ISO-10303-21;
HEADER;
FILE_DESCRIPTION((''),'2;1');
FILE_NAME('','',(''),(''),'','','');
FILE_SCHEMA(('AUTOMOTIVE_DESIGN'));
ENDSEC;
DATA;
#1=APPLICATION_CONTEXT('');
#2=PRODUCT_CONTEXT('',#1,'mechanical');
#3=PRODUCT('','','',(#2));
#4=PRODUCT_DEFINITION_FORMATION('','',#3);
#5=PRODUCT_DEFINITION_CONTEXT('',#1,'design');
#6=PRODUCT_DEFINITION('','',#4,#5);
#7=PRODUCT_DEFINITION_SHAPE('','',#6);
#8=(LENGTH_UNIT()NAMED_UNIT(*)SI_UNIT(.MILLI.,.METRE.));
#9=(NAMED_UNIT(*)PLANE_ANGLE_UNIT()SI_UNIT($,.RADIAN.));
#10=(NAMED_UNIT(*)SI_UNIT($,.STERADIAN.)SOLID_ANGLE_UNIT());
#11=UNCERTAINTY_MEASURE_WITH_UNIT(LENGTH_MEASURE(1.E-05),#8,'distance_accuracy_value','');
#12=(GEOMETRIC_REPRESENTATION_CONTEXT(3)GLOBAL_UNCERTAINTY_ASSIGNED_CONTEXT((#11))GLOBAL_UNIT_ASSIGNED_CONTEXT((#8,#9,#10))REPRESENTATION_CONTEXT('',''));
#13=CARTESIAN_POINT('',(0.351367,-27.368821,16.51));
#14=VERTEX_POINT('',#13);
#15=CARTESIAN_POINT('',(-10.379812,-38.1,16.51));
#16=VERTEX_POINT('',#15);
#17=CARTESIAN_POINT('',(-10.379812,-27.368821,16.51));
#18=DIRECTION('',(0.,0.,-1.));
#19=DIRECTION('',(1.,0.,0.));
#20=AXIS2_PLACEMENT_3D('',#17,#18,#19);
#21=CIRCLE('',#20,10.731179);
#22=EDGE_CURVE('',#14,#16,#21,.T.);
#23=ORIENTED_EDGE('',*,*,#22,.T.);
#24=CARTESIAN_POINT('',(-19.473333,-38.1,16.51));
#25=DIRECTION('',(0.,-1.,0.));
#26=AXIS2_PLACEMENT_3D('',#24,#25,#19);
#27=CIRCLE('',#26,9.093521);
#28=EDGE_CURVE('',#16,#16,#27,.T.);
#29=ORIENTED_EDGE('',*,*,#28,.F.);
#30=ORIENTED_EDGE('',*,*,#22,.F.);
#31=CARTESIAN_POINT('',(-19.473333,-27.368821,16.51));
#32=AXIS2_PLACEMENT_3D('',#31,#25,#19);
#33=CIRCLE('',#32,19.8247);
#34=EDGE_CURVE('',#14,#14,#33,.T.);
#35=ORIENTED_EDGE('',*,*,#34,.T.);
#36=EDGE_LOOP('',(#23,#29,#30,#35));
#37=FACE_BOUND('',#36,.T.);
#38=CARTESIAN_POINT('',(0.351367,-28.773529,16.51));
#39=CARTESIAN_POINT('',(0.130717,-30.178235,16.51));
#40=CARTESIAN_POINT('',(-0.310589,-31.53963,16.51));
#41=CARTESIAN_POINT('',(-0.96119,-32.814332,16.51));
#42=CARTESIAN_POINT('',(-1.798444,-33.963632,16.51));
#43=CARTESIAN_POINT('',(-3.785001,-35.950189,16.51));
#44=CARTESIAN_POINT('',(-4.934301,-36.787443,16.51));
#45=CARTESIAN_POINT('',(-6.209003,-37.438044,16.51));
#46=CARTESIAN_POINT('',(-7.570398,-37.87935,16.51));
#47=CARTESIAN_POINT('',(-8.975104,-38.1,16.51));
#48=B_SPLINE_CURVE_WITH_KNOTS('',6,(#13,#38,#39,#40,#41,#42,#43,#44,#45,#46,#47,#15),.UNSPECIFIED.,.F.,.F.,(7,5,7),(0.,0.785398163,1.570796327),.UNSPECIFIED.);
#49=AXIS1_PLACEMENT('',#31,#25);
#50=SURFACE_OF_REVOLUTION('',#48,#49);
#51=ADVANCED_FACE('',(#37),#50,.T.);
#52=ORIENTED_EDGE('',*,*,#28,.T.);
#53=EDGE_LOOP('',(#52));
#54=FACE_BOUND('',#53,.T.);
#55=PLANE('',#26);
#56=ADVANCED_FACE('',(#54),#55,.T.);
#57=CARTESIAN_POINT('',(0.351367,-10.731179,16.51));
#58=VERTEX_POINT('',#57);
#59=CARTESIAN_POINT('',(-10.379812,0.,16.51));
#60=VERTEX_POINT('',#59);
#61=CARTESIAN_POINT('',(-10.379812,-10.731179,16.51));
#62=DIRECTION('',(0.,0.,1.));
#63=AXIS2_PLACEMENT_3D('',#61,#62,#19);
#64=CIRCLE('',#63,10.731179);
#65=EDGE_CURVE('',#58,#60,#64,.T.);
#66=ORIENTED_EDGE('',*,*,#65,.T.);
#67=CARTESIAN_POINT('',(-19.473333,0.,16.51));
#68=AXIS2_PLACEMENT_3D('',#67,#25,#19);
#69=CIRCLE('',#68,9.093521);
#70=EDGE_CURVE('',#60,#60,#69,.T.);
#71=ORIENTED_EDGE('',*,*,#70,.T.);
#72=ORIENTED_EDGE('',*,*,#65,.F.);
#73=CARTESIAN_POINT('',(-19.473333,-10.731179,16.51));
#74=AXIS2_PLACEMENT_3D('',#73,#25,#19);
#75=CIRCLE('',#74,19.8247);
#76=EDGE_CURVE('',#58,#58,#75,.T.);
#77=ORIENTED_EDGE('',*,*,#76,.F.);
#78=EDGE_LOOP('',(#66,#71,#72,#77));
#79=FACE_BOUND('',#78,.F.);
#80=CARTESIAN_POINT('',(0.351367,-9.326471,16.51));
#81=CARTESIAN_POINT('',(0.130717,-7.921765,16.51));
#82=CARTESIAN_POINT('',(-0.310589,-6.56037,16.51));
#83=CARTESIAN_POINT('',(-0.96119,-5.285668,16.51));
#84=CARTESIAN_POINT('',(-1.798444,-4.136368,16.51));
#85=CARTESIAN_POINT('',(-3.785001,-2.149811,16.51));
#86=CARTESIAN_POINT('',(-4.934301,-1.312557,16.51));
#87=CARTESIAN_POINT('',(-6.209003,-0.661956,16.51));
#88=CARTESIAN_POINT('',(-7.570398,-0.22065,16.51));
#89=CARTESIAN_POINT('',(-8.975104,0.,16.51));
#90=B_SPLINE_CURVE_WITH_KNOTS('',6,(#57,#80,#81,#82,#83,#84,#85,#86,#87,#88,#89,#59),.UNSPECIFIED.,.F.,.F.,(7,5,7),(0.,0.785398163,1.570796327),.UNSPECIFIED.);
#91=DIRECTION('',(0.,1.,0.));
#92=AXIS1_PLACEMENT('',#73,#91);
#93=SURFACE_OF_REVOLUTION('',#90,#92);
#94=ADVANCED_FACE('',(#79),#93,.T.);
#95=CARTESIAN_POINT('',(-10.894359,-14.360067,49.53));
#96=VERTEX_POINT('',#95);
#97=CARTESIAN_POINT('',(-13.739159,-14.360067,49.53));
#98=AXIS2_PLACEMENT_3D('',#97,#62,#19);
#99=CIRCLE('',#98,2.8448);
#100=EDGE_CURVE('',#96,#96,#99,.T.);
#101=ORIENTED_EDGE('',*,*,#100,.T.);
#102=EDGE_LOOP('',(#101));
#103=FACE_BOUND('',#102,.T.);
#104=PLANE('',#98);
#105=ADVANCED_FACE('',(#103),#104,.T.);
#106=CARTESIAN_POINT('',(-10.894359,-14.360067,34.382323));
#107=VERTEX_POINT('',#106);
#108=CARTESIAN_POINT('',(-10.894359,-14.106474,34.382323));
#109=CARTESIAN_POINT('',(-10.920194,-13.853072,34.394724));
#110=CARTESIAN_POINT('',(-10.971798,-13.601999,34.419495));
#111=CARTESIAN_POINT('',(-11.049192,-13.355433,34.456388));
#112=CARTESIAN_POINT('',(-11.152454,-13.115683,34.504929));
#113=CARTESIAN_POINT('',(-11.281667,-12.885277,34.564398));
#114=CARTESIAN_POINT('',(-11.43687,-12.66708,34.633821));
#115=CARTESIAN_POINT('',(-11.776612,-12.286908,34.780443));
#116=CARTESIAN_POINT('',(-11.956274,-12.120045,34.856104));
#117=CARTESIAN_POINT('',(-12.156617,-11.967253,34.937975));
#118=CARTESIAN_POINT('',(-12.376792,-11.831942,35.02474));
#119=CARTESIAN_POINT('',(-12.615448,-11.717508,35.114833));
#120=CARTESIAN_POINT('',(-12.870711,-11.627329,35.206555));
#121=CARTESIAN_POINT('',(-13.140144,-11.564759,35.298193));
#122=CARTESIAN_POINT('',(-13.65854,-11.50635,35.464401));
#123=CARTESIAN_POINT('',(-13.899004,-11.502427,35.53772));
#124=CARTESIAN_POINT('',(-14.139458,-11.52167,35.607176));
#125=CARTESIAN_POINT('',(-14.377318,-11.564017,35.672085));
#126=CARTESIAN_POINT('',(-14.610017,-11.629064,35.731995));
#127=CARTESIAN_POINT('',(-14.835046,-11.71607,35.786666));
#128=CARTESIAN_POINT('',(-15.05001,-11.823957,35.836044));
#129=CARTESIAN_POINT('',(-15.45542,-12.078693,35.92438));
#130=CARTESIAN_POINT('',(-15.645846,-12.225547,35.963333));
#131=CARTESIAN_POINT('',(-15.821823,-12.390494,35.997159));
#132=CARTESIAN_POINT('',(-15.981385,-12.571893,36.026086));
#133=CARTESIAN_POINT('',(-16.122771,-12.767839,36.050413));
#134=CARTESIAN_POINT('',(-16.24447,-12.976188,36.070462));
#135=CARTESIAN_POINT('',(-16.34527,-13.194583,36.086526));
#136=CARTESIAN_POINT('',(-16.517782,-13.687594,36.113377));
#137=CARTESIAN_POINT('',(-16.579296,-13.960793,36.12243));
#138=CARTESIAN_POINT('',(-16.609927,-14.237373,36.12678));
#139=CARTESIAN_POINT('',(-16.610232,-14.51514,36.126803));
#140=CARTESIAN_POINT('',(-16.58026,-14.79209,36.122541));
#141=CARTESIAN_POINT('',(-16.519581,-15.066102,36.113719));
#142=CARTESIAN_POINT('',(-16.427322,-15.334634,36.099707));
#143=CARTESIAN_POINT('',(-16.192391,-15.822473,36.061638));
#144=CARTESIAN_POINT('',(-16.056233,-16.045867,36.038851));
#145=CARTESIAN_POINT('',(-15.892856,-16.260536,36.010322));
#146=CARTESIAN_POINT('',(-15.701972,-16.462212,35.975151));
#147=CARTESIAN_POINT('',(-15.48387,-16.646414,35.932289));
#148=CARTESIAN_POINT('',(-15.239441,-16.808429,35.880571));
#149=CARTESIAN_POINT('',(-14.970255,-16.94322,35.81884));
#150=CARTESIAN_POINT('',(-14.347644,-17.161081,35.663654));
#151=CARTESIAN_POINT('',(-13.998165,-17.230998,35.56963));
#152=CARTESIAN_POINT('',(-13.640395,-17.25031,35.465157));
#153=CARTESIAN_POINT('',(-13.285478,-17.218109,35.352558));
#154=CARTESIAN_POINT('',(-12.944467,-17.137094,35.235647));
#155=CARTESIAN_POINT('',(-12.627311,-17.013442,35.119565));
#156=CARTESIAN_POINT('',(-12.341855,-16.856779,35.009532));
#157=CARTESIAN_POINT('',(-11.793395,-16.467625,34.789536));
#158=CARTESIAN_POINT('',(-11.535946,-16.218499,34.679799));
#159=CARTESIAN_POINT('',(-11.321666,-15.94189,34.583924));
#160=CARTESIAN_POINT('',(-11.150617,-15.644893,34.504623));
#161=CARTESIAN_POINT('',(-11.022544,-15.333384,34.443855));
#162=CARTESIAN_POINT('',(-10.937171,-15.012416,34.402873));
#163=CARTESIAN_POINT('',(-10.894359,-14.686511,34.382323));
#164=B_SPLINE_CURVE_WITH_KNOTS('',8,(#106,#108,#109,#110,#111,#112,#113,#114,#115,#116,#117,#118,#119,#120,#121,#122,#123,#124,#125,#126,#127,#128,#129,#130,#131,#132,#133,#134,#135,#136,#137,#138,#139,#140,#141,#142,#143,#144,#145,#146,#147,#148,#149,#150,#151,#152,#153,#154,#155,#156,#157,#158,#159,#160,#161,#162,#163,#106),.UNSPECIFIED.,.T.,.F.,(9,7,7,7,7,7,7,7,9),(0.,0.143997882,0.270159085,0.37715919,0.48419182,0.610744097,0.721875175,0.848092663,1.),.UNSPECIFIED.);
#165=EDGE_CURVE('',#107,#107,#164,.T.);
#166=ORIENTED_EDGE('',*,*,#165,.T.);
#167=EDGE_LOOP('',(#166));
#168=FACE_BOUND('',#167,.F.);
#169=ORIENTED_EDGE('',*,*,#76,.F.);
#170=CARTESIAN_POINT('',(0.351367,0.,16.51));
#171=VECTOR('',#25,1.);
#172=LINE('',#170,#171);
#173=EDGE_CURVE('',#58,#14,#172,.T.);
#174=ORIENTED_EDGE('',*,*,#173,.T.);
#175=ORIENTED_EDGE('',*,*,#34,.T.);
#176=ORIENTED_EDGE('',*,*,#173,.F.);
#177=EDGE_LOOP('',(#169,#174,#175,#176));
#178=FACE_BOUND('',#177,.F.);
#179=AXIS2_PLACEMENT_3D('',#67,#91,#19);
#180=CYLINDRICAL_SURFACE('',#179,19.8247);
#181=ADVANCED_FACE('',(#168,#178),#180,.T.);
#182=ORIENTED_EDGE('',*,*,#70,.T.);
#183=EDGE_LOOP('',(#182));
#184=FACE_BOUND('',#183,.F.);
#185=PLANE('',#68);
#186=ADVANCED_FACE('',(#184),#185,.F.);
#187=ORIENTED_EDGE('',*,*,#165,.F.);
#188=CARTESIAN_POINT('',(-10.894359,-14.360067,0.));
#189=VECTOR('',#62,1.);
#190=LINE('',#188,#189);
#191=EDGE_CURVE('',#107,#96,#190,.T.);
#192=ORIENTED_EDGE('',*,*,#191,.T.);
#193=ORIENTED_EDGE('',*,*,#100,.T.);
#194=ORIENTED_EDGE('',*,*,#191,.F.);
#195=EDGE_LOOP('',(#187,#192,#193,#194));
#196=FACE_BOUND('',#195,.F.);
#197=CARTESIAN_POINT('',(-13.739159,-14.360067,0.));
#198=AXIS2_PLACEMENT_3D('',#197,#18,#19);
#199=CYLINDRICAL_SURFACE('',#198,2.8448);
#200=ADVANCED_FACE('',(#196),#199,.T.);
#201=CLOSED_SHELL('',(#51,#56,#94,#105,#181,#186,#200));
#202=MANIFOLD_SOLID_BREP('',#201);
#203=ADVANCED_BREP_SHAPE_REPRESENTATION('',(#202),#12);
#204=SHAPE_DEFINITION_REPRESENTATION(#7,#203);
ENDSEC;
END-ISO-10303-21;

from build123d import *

# Parameters (mm, degrees)
F0_R     = 19.8247
F1_DEPTH = 38.1
F2_R     = 10.731179
F3_R     = 2.8448
F4_DEPTH = 49.53


with BuildPart() as f1:
    # F0 (on Front) → F1 (new body)
    with BuildSketch(Plane.XZ):
        with Locations((-19.473333, 16.51)):
            Circle(F0_R)
    extrude(amount=F1_DEPTH)

    # F2
    f2_edges = [f1.edges().sort_by_distance(p)[0] for p in [
        (-39.298033, -38.1, 16.51),
        (-39.298033, 0, 16.51),
    ]]
    fillet(f2_edges, radius=F2_R)

    # F3 (on Top) → F4 (join)
    with BuildSketch(Plane.XY):
        with Locations((-13.739159, -14.360067)):
            Circle(F3_R)
    extrude(amount=F4_DEPTH)


solid = f1.part
